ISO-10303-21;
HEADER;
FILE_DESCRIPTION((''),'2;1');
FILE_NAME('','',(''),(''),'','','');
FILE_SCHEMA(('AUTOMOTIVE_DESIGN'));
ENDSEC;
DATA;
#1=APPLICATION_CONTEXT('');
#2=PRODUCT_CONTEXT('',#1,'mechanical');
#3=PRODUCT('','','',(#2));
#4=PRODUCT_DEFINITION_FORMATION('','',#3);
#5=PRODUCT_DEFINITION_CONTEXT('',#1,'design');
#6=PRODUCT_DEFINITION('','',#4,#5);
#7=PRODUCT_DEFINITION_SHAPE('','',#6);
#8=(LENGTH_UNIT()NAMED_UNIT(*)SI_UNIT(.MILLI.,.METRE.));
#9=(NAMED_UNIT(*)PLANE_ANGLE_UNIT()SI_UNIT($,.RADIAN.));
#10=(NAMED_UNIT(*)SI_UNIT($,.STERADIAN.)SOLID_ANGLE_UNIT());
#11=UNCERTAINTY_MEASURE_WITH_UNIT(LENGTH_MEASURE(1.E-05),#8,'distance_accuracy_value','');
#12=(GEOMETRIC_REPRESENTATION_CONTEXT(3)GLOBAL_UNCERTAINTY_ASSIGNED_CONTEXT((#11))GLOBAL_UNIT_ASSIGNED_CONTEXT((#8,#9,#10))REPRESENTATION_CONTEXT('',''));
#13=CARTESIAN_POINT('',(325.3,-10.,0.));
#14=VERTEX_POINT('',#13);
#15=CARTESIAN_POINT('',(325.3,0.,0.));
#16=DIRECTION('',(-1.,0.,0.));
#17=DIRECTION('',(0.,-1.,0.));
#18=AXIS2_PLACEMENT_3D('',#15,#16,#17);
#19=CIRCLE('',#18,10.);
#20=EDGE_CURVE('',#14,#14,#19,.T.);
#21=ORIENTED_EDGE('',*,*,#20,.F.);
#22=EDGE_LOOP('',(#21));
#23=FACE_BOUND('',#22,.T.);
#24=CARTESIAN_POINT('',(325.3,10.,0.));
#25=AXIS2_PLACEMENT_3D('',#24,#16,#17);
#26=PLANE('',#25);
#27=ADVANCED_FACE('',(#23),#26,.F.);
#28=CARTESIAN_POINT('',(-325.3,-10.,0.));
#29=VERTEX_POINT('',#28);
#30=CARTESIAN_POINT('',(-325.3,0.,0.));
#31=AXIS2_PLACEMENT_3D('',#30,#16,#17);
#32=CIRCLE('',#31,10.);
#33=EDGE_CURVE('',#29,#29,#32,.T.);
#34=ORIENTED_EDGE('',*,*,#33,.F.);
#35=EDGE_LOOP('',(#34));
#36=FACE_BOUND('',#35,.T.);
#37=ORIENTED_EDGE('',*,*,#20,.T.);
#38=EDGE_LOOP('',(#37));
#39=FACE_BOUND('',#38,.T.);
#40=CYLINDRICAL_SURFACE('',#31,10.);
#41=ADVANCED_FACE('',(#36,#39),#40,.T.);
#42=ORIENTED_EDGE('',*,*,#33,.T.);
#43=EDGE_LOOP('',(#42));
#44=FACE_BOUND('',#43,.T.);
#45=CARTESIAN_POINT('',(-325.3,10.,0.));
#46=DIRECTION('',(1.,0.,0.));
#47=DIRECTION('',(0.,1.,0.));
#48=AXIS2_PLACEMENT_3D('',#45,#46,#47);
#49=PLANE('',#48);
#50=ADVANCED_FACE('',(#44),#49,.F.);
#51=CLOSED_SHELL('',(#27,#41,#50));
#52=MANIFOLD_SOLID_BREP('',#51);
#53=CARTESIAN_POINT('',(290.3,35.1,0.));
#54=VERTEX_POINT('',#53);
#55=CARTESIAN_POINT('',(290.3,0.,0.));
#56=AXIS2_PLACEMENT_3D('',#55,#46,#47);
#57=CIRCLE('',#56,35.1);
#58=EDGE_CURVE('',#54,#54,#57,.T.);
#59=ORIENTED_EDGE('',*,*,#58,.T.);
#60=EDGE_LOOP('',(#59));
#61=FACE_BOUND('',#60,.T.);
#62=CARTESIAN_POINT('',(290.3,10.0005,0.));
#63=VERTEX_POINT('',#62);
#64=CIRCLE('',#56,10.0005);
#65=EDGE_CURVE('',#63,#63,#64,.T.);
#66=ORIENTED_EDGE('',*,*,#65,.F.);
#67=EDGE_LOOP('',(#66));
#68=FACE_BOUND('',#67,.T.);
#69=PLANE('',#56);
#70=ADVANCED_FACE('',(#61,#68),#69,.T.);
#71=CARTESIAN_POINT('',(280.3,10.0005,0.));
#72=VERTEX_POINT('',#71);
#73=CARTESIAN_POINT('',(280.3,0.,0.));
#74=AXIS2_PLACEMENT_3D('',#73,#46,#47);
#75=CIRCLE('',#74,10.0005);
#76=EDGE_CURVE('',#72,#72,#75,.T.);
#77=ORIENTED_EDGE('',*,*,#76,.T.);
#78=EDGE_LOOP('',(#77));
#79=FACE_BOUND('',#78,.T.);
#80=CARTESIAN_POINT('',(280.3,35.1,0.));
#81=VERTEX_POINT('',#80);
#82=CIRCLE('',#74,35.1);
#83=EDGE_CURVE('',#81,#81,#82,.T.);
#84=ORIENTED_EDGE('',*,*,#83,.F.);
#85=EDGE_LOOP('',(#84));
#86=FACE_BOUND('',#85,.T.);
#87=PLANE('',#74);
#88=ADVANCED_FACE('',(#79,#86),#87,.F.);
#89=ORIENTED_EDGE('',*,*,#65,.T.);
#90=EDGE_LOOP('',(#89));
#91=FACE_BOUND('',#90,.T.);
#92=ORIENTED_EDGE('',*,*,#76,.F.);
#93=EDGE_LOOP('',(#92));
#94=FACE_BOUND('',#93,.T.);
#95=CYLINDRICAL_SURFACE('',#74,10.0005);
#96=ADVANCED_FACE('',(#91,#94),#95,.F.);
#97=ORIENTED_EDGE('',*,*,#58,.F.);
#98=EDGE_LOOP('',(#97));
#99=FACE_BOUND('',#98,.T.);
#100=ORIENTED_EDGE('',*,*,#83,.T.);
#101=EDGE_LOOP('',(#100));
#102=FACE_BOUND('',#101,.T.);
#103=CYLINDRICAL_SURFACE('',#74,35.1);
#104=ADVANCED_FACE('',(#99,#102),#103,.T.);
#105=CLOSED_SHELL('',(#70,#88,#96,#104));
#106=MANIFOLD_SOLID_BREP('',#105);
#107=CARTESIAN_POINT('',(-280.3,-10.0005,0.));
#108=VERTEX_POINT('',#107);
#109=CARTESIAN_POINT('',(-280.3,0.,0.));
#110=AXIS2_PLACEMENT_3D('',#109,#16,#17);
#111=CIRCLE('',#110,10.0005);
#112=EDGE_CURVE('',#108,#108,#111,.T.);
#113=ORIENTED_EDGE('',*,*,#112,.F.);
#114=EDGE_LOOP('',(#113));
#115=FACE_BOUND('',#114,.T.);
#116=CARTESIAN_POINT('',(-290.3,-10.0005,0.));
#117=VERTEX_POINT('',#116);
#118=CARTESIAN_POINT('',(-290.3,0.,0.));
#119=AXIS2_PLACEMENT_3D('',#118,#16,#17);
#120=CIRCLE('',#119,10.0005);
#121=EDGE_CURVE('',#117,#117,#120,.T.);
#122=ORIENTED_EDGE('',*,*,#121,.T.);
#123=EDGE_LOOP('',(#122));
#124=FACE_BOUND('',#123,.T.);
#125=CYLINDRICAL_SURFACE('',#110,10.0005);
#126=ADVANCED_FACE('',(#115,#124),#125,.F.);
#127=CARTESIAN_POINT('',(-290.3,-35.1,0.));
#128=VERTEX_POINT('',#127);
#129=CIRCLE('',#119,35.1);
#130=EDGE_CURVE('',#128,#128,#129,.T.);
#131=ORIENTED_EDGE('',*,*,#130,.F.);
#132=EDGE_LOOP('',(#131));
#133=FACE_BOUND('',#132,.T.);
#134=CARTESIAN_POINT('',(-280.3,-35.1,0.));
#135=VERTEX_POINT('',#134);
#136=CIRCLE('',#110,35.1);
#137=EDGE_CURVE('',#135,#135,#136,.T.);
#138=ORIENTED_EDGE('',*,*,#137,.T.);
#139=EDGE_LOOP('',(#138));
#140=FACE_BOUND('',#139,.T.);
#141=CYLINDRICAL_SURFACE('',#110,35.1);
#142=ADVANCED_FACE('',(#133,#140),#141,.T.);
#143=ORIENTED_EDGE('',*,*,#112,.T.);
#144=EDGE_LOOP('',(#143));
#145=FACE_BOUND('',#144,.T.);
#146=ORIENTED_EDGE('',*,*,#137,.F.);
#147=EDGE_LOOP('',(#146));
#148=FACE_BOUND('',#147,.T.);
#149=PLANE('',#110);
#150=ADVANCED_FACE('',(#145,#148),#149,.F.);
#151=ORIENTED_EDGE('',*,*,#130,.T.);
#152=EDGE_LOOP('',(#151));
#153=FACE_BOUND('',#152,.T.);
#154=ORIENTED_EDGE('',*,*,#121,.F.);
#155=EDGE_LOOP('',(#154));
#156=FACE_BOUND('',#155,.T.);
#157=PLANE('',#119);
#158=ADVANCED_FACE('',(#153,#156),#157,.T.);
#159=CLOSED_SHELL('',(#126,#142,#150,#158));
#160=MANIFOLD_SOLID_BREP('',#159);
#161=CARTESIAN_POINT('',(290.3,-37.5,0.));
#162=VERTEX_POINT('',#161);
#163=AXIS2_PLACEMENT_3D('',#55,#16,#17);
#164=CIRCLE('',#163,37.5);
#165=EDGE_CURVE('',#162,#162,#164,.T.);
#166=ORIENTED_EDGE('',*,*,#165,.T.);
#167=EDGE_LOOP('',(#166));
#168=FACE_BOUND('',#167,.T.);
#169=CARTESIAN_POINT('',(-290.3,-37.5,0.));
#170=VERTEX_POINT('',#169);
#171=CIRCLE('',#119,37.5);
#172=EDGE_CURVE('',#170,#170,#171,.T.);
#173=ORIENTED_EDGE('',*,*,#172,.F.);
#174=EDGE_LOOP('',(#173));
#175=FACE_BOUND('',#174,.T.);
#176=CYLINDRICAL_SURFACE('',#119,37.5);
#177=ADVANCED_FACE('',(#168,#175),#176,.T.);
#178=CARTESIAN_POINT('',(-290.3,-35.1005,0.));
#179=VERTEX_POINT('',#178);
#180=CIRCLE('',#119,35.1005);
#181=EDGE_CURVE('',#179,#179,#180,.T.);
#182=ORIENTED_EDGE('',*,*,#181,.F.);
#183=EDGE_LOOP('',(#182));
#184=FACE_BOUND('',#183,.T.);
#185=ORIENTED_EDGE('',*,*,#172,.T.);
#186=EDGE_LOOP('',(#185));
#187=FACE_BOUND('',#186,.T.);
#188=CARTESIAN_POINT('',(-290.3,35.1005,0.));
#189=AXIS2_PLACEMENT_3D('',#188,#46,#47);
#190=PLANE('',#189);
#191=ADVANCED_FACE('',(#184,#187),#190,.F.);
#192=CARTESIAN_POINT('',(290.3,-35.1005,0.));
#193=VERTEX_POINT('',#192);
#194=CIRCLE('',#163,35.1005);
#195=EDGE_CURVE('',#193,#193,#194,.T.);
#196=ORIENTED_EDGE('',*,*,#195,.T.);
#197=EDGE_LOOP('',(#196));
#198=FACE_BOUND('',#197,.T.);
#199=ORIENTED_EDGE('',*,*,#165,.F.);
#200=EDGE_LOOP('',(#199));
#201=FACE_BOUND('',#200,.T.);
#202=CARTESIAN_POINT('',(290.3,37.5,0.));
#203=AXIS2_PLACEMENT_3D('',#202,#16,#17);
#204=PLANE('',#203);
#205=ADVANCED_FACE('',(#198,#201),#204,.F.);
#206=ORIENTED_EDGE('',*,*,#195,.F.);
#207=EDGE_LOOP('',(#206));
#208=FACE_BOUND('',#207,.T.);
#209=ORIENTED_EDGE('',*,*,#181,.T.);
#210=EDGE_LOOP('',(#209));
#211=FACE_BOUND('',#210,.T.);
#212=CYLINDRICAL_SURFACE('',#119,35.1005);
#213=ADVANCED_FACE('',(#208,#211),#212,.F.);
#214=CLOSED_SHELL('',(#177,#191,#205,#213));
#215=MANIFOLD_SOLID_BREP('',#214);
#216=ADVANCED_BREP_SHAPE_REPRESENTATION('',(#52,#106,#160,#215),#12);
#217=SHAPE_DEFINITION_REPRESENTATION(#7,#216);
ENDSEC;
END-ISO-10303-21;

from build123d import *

# Parameters (mm, degrees)
SKETCH1_W           = 580.6
SKETCH1_H           = 2.3995
SKETCH2_R           = 35.1
SKETCH2_R_2         = 10.0005
BOSS_EXTRUDE1_DEPTH = 10
SKETCH3_R           = 35.1
SKETCH3_R_2         = 10.0005
BOSS_EXTRUDE2_DEPTH = 10
SKETCH4_W           = 650.6
SKETCH4_H           = 10


with BuildPart() as part:
    # Sketch1 → Revolve1 (revolve)
    with BuildSketch(Plane.XY, mode=Mode.PRIVATE) as revolve1_sk:
        with Locations((0, 36.30025)):
            Rectangle(SKETCH1_W, SKETCH1_H)
    revolve(revolve1_sk.sketch.rotate(Axis((-290.3, 0, 0), (1, 0, 0)), 180), axis=Axis((-290.3, 0, 0), (1, 0, 0)))


with BuildPart() as body_2:
    # Sketch2 → Boss-Extrude1 (new body)
    with BuildSketch(Plane.ZY.offset(290.3)):
        with Locations(Location((0, 0, 0), (0, 0, 270))):
            Circle(SKETCH2_R)
        with Locations(Location((0, 0, 0), (0, 0, 270))):
            Circle(SKETCH2_R_2, mode=Mode.SUBTRACT)
    extrude(amount=-BOSS_EXTRUDE1_DEPTH)


with BuildPart() as body_3:
    # Sketch3 → Boss-Extrude2 (new body)
    with BuildSketch(Plane(origin=(290.3, 0, 0), x_dir=(0, 0, -1), z_dir=(1, 0, 0))):
        with Locations(Location((0, 0, 0), (0, 0, 90))):
            Circle(SKETCH3_R)
        with Locations(Location((0, 0, 0), (0, 0, 90))):
            Circle(SKETCH3_R_2, mode=Mode.SUBTRACT)
    extrude(amount=-BOSS_EXTRUDE2_DEPTH)


with BuildPart() as body_4:
    # Sketch4 → Revolve3 (revolve)
    with BuildSketch(Plane.XY, mode=Mode.PRIVATE) as revolve3_sk:
        with Locations((0, 5)):
            Rectangle(SKETCH4_W, SKETCH4_H)
    revolve(revolve3_sk.sketch.rotate(Axis((-325.3, 0, 0), (1, 0, 0)), 180), axis=Axis((-325.3, 0, 0), (1, 0, 0)))


solid = Compound([part.part, body_2.part, body_3.part, body_4.part])
